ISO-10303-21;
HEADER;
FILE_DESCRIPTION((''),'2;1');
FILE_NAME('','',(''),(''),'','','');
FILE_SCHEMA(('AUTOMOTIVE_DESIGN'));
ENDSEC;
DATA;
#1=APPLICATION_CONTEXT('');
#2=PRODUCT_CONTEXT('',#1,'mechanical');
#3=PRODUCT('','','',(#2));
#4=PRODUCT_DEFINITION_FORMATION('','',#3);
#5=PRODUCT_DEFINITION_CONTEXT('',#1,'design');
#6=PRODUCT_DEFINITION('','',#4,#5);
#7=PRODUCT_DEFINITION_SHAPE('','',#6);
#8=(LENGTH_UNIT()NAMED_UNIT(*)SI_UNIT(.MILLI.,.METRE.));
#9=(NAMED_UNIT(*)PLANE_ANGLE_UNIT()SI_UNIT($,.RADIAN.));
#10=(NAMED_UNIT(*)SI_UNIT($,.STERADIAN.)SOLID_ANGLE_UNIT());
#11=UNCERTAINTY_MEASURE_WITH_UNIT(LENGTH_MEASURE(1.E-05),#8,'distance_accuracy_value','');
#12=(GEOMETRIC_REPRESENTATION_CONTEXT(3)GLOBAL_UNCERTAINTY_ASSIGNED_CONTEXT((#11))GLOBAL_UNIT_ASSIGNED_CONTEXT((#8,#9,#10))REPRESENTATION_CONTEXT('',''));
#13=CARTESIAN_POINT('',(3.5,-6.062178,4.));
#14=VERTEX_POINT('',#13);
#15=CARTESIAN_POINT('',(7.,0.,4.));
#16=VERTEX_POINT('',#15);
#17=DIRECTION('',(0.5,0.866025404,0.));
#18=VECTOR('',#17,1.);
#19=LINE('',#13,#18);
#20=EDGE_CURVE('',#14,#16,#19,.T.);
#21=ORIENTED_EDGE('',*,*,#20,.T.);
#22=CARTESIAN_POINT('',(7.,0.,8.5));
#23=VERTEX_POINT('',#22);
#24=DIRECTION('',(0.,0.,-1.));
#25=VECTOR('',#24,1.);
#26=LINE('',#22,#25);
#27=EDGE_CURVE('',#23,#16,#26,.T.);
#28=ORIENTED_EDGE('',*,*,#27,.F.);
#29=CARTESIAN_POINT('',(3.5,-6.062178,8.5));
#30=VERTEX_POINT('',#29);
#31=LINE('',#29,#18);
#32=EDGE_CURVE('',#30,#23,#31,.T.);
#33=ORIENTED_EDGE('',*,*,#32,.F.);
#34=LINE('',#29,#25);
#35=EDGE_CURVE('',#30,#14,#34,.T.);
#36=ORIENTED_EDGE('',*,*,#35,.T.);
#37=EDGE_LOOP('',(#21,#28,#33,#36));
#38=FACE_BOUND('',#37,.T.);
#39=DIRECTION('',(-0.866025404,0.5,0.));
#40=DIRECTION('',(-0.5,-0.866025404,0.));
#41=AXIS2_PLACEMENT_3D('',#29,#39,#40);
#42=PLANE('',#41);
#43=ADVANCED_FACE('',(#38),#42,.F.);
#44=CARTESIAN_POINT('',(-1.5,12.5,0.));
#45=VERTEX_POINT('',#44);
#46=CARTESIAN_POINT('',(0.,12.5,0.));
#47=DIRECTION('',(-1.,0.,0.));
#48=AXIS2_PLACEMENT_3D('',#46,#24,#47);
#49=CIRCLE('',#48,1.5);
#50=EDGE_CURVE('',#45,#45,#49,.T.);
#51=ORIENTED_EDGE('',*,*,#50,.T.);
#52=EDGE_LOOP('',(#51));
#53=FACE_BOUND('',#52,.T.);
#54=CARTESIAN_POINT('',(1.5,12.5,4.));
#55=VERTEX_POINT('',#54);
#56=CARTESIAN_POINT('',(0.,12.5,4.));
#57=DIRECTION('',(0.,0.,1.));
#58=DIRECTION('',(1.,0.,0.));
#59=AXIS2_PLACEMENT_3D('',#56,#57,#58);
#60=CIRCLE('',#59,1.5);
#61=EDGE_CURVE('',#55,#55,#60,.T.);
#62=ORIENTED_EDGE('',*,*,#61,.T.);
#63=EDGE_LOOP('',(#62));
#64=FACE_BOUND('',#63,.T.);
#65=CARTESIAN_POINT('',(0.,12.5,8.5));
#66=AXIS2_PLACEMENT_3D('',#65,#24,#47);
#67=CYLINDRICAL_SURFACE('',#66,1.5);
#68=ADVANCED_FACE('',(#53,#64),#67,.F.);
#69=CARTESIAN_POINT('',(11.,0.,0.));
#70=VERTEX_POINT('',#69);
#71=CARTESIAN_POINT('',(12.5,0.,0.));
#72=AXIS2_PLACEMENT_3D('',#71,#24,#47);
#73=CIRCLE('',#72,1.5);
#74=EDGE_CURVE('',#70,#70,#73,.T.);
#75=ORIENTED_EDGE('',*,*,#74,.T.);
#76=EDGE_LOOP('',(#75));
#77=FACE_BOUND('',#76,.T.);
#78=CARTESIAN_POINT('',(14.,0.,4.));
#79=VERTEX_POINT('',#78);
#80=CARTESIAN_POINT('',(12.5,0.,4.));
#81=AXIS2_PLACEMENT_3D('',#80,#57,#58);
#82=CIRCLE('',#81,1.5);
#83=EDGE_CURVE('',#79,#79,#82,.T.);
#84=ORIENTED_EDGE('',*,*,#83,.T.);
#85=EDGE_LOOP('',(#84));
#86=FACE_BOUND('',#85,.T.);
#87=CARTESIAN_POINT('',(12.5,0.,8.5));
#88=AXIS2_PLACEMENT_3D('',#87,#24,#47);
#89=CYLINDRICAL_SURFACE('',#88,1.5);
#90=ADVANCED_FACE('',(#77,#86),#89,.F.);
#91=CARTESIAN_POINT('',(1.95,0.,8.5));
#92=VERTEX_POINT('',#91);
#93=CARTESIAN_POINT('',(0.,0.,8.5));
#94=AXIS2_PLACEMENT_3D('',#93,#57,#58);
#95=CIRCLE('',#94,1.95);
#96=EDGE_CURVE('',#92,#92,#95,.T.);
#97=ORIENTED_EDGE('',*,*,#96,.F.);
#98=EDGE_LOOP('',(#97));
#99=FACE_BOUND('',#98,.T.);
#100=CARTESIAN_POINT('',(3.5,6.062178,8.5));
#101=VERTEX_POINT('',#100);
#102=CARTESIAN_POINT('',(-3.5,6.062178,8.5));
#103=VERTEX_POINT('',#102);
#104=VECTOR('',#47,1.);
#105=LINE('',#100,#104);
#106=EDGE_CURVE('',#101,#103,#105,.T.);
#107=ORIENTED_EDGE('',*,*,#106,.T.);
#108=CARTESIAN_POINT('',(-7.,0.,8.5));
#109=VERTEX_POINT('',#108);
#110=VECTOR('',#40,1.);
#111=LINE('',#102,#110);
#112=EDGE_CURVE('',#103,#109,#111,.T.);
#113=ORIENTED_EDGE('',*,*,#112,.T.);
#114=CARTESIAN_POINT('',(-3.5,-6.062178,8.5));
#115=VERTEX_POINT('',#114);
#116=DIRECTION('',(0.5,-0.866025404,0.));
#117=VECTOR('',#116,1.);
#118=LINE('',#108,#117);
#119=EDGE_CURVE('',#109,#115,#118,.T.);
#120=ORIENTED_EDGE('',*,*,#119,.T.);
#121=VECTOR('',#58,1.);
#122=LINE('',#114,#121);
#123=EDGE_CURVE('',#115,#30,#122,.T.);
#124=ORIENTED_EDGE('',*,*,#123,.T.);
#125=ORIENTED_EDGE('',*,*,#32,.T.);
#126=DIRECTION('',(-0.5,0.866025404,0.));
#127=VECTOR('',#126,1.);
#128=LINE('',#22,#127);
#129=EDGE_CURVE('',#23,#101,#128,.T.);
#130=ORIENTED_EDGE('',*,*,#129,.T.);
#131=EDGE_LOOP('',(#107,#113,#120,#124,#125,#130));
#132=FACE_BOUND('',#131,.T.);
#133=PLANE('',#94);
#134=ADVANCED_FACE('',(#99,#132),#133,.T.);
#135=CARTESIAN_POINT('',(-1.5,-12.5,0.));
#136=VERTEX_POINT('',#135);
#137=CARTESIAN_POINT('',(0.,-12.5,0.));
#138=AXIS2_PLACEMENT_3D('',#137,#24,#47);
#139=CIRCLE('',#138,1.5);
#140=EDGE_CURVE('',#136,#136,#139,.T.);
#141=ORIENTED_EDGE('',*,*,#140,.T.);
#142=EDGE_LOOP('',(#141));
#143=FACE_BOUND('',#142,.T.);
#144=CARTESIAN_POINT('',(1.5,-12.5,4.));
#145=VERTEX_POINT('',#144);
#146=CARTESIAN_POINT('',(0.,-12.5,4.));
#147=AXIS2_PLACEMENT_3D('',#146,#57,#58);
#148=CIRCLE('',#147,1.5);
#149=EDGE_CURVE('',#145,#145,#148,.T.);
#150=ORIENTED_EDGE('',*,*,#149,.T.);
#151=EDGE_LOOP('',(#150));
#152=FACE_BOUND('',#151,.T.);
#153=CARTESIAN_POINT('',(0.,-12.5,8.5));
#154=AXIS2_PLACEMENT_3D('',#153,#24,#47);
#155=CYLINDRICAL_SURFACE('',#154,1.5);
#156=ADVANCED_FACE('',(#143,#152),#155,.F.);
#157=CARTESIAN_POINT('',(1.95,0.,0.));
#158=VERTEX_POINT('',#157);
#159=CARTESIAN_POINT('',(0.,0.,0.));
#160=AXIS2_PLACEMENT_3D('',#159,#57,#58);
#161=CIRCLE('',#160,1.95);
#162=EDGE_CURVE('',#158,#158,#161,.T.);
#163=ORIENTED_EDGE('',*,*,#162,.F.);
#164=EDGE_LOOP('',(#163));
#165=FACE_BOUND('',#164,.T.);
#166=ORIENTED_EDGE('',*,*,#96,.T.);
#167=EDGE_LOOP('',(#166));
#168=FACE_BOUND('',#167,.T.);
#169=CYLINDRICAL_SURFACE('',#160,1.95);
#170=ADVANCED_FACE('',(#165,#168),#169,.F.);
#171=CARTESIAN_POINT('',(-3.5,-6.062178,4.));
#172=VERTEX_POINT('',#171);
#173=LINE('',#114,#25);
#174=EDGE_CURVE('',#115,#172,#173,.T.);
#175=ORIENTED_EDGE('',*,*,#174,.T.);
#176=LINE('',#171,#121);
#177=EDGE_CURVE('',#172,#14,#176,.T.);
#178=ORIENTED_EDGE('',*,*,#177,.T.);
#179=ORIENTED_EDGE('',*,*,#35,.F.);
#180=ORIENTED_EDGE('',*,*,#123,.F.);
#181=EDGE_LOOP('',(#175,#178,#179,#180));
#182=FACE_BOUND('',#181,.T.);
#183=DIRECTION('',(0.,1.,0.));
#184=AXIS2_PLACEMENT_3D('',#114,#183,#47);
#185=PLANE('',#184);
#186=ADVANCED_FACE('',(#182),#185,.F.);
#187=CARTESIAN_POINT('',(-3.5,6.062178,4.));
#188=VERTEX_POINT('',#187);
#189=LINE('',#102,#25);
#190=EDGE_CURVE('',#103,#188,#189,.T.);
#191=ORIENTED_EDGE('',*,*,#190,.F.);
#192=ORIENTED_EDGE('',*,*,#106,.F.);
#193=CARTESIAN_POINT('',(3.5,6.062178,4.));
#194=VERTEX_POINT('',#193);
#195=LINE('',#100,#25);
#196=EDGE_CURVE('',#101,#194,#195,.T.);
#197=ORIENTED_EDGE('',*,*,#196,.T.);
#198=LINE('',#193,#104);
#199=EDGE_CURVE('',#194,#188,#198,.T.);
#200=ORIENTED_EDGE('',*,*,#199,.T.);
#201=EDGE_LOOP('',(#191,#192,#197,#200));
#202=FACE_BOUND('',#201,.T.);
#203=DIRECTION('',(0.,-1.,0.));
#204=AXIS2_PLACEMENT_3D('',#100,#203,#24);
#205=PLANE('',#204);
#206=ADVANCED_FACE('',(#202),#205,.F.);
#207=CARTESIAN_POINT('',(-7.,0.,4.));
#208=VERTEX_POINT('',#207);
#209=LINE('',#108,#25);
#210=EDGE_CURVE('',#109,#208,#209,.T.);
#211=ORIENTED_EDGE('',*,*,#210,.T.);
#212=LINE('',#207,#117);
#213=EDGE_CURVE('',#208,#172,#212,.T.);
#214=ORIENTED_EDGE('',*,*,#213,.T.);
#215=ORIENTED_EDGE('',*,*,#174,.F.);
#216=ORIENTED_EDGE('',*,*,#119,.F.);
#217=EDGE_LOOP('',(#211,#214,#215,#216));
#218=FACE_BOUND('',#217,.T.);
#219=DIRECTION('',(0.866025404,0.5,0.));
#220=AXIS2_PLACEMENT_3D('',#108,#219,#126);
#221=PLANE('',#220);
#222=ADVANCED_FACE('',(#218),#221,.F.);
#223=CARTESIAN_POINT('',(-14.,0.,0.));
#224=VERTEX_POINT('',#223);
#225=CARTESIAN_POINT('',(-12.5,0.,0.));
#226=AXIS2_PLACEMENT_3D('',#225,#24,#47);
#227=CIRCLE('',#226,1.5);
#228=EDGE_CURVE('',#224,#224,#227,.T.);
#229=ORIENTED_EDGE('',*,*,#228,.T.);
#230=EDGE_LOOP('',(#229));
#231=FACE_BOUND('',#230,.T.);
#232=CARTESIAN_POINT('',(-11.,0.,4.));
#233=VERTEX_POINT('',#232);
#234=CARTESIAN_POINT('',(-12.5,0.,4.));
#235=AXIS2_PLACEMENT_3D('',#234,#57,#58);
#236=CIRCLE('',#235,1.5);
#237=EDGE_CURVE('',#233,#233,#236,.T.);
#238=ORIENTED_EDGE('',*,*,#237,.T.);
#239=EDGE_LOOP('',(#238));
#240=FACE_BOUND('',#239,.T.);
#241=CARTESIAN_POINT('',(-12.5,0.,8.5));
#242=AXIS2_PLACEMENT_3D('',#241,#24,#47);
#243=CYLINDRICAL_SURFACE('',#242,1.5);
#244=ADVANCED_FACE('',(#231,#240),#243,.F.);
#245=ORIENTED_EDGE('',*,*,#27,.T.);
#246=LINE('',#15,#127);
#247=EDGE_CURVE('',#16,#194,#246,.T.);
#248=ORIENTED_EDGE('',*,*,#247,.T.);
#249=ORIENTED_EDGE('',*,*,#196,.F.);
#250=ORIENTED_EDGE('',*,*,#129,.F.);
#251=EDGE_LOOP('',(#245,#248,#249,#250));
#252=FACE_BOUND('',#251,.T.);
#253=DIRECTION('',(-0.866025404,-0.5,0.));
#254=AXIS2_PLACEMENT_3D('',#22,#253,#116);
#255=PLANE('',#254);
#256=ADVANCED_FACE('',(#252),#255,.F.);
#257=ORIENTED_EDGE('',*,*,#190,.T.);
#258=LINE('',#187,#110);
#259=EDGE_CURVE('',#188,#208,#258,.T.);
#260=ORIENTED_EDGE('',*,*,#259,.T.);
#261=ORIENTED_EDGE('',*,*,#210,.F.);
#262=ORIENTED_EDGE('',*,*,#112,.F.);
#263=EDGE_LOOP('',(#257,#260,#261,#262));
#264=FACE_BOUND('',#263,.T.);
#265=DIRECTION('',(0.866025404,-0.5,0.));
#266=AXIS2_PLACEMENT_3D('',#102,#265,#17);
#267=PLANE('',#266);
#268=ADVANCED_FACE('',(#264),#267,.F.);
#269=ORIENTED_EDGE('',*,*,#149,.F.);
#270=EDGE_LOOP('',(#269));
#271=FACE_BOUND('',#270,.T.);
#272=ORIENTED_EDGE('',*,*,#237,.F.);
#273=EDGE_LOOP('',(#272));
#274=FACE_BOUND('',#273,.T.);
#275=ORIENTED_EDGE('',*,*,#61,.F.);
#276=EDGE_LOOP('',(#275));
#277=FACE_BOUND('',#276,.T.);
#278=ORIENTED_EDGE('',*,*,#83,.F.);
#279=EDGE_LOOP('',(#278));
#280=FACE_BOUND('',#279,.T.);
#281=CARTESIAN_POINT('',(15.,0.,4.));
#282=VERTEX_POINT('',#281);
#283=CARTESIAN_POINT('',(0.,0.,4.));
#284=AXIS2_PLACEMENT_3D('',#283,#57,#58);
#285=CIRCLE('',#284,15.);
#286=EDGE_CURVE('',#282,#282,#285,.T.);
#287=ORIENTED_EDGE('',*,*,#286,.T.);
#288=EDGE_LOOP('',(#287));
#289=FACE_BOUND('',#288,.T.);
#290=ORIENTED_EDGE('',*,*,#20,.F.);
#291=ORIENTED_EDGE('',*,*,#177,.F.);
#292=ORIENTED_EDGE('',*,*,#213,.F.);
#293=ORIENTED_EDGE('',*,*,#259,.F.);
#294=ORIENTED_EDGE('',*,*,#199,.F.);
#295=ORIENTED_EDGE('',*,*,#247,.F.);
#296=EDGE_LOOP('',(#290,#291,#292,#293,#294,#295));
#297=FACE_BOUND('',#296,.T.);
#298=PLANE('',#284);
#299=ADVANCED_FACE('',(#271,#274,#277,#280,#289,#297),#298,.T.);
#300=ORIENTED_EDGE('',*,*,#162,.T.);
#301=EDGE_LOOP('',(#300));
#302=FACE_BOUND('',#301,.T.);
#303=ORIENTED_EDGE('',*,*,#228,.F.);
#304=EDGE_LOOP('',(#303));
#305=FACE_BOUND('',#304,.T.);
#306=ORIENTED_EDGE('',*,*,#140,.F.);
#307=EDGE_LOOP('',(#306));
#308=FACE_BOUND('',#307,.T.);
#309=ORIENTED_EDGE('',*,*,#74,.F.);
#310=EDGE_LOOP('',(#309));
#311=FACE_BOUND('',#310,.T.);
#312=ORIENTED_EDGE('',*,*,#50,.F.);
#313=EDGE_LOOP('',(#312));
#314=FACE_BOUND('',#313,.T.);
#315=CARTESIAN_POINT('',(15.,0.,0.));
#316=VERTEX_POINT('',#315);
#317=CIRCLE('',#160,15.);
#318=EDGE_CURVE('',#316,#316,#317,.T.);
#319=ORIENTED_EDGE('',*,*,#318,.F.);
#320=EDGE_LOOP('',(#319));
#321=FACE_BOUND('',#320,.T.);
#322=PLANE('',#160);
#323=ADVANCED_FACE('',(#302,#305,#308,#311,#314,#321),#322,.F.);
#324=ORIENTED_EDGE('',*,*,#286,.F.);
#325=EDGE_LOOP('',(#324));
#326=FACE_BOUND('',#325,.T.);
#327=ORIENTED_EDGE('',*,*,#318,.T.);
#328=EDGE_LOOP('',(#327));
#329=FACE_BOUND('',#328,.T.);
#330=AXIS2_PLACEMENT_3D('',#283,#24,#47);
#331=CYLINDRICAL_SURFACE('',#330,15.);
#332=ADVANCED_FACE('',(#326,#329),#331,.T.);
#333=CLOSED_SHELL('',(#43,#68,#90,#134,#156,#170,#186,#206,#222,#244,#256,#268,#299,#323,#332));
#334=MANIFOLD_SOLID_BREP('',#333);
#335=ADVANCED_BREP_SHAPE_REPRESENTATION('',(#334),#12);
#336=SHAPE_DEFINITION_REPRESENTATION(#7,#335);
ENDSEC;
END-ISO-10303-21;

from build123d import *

# Parameters (mm, degrees)
SKETCH_1_R          = 15
EXTRUDE_1_DEPTH     = 4
EXTRUDE_2_DEPTH     = 4.5
SKETCH_3_R          = 1.95
CUT_EXTRUDE_1_DEPTH = 23.852789764
SKETCH_6_R          = 1.5
CUT_EXTRUDE_2_DEPTH = 23.852789764


with BuildPart() as part:
    # 草图1 → 凸台-拉伸1 (new body)
    with BuildSketch(Plane.XY):
        Circle(SKETCH_1_R)
    extrude(amount=EXTRUDE_1_DEPTH)

    # 草图2 → 凸台-拉伸2 (add)
    with BuildSketch(Plane.XY.offset(4)):
        Polygon((3.5, 6.062177826), (-3.5, 6.062177826), (-7, 0), (-3.5, -6.062177826), (3.5, -6.062177826), (7, 0), align=None)
    extrude(amount=EXTRUDE_2_DEPTH)

    # 草图3 → 切除-拉伸1 (cut, through all)
    with BuildSketch(Plane.XY.offset(8.5)):
        Circle(SKETCH_3_R)
    extrude(amount=-CUT_EXTRUDE_1_DEPTH, mode=Mode.SUBTRACT)

    # 草图6 → 切除-拉伸2 (cut, through all)
    with BuildSketch(Plane(origin=(0, 0, 0), x_dir=(-1, 0, 0), z_dir=(0, 0, -1))):
        with Locations((0, 12.5)):
            Circle(SKETCH_6_R)
        with Locations((12.5, 0)):
            Circle(SKETCH_6_R)
        with Locations((0, -12.5)):
            Circle(SKETCH_6_R)
        with Locations((-12.5, 0)):
            Circle(SKETCH_6_R)
    extrude(amount=-CUT_EXTRUDE_2_DEPTH, mode=Mode.SUBTRACT)


solid = part.part
